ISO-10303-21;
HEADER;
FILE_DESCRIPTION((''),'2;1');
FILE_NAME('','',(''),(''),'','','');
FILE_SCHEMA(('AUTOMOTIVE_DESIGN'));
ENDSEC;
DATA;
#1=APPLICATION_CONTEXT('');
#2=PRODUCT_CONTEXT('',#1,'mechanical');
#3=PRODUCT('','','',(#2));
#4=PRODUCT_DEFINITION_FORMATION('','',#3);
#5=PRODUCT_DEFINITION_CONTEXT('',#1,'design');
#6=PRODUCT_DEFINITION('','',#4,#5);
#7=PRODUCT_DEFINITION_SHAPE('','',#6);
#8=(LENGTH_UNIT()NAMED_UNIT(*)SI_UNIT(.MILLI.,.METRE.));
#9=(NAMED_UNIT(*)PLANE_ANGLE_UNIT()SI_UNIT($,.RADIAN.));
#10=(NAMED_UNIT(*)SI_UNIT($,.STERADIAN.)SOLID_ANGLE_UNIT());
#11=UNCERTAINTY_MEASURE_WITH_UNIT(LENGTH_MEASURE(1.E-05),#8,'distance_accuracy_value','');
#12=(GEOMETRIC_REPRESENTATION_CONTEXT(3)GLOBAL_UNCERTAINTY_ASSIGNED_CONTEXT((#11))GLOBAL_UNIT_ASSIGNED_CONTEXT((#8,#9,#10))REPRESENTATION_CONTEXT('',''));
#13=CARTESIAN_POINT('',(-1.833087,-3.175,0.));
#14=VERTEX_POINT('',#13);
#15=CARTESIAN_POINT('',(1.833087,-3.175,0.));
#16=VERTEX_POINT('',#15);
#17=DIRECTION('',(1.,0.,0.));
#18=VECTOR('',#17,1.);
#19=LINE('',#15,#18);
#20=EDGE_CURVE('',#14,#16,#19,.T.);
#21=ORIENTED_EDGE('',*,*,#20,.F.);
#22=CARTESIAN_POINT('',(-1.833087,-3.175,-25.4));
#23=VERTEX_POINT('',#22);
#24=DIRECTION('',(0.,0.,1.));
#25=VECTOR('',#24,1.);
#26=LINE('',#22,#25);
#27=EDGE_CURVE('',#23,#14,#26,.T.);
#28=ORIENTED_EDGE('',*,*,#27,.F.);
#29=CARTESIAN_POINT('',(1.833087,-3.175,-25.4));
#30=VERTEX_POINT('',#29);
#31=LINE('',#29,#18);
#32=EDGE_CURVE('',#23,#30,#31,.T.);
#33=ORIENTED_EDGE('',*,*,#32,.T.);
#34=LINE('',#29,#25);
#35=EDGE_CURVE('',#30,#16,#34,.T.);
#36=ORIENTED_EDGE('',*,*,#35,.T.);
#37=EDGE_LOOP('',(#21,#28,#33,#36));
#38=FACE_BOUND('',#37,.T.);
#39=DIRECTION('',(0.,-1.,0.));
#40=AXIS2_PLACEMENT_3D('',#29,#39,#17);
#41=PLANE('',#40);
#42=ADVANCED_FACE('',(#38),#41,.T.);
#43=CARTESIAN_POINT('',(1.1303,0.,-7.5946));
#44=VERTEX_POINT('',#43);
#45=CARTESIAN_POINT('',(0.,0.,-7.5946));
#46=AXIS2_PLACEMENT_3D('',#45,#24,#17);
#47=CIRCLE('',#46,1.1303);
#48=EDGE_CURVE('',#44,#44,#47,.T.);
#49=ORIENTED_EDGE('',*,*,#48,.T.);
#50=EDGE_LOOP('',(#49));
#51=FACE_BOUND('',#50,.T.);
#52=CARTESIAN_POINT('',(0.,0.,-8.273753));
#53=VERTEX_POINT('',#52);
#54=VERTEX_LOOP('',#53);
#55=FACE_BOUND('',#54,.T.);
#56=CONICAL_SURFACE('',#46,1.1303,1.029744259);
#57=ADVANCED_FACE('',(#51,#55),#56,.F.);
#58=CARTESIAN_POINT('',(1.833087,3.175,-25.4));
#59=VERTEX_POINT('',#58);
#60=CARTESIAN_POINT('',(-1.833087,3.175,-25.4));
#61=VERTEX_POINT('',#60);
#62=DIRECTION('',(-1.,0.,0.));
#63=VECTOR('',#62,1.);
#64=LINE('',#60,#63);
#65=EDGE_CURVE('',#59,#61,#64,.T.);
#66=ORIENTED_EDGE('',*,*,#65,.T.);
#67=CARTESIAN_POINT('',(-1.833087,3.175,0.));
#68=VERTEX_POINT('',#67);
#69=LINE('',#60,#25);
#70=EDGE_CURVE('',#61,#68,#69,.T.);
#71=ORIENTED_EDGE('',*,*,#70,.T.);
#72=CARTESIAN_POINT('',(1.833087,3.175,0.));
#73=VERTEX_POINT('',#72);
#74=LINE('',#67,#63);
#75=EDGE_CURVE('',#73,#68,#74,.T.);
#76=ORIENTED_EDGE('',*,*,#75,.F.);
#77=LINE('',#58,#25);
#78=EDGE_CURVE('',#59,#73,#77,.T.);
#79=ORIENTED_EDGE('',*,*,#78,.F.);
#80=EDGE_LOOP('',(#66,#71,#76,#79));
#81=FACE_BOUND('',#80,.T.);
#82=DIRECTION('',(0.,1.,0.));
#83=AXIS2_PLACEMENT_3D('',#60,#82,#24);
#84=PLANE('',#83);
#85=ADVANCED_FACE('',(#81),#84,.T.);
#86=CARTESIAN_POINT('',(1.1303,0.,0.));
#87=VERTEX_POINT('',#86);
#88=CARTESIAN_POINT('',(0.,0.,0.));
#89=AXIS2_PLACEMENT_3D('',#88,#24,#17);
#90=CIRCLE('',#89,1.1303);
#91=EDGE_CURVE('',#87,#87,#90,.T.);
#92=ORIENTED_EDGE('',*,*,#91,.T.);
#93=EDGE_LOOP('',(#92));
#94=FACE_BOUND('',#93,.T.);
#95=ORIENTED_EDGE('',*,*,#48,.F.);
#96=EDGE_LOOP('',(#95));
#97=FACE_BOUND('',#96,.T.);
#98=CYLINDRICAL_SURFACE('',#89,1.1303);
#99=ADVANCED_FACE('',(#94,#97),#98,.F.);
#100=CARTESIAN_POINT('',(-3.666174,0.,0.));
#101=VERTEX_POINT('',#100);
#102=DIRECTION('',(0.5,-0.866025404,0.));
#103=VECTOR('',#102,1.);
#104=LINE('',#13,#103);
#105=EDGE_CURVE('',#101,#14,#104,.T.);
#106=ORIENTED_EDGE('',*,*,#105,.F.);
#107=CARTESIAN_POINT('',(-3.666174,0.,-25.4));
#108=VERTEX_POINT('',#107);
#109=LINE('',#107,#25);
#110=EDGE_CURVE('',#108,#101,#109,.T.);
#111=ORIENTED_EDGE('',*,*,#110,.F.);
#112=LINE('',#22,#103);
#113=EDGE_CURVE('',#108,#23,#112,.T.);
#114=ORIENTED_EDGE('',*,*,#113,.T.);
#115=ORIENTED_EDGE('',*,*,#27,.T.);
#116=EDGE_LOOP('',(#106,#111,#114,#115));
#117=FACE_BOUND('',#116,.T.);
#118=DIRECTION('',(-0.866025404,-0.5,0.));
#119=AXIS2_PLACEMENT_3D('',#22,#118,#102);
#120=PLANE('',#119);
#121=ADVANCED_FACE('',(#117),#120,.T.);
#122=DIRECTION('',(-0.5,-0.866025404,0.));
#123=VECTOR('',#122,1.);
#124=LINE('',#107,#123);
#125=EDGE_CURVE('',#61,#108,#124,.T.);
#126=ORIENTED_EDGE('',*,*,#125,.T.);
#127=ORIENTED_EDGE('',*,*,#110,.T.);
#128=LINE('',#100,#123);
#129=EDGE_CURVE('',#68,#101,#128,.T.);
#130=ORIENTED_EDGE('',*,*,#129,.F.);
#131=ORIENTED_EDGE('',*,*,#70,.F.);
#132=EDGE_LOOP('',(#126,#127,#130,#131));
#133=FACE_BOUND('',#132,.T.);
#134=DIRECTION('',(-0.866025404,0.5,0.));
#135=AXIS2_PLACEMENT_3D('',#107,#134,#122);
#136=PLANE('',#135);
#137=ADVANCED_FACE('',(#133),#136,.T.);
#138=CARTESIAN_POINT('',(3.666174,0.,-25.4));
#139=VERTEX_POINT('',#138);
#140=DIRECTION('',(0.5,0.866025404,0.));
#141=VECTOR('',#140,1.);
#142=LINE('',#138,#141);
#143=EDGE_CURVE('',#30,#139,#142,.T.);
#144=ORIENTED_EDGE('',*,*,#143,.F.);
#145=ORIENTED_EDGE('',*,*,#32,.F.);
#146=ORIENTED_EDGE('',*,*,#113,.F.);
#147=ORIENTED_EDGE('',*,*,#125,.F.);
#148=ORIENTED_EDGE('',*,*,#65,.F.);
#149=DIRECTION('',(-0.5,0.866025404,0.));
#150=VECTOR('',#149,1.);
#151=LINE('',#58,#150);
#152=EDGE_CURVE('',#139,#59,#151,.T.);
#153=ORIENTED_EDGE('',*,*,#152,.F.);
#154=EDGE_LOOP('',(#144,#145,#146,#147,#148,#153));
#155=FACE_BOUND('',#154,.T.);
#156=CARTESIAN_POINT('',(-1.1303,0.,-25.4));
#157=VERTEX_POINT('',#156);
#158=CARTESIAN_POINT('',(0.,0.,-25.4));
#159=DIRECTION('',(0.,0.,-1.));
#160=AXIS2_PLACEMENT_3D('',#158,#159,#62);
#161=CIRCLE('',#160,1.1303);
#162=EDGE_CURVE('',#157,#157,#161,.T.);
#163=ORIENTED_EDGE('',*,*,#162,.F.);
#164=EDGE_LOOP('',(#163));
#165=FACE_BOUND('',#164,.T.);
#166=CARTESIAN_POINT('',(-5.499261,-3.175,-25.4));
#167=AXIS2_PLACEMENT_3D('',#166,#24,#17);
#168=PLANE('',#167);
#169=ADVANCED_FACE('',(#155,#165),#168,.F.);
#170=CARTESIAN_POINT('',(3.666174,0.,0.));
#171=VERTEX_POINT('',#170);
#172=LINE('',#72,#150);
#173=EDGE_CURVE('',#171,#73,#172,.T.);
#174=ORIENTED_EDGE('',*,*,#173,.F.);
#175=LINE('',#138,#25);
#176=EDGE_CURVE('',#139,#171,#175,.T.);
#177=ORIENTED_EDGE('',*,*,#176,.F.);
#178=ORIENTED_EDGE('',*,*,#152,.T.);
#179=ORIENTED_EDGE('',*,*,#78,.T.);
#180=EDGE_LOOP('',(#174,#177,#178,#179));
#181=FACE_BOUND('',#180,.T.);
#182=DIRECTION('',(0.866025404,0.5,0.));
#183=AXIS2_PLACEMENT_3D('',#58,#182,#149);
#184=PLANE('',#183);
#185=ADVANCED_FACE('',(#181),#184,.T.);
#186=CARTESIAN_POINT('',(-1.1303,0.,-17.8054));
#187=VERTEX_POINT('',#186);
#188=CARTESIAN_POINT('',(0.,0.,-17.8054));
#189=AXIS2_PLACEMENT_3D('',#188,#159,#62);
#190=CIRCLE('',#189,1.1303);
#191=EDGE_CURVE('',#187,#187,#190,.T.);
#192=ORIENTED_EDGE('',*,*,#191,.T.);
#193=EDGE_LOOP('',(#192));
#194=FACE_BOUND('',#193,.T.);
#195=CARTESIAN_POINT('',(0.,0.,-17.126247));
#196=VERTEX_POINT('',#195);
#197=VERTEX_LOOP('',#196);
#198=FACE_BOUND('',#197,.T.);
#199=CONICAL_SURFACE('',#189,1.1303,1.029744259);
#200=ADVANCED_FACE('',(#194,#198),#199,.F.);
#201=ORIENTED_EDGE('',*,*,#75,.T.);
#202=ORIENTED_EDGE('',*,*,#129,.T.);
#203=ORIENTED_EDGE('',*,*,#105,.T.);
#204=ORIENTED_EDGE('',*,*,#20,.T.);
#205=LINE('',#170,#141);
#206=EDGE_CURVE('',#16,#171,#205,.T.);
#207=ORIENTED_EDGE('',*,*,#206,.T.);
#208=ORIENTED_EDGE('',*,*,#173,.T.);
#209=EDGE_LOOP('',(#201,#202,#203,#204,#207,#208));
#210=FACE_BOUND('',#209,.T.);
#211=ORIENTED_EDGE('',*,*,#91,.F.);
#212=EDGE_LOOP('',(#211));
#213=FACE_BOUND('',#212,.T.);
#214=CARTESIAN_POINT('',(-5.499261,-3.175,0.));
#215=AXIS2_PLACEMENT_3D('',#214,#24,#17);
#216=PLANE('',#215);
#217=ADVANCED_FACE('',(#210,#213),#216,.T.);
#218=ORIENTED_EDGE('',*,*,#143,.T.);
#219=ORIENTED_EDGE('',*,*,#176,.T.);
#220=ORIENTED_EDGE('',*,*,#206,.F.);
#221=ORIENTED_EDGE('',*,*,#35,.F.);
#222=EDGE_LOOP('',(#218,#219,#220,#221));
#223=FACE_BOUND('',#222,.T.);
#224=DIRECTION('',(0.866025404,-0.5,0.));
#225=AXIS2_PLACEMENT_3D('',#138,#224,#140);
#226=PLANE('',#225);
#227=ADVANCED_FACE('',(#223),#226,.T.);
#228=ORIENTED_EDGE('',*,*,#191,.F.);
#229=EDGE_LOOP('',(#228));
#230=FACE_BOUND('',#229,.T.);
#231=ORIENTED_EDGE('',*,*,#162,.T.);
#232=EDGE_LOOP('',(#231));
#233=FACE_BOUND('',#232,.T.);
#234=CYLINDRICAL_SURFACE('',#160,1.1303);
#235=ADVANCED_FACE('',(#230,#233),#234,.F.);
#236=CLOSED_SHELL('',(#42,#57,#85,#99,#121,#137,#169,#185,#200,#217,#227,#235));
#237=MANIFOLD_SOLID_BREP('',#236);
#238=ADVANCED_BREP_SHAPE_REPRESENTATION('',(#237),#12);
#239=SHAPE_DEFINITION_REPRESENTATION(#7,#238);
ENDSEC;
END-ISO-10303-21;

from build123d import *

# Parameters (mm, degrees)
EXTRUDE1_DEPTH            = 25.4
F_4_40_TAPPED_HOLE1_D     = 2.2606
F_4_40_TAPPED_HOLE1_DEPTH = 7.5946
F_4_40_TAPPED_HOLE1_TIP   = 0.679152758
F_4_40_TAPPED_HOLE2_D     = 2.2606
F_4_40_TAPPED_HOLE2_DEPTH = 7.5946
F_4_40_TAPPED_HOLE2_TIP   = 0.679152758


with BuildPart() as part:
    # Sketch2 → Extrude1 (new body)
    with BuildSketch(Plane.XY):
        Polygon((-1.833087105, 3.175), (1.833087105, 3.175), (3.666174209, 0), (1.833087105, -3.175), (-1.833087105, -3.175), (-3.666174209, 0), align=None)
    extrude(amount=-EXTRUDE1_DEPTH)

    # #4-40 Tapped Hole1
    with Locations(Plane.XY):
        with Locations((0, 0)):
            Hole(F_4_40_TAPPED_HOLE1_D / 2, depth=F_4_40_TAPPED_HOLE1_DEPTH)
            with Locations((0, 0, -(F_4_40_TAPPED_HOLE1_DEPTH + F_4_40_TAPPED_HOLE1_TIP / 2))):  # 118° drill point
                Cone(0, F_4_40_TAPPED_HOLE1_D / 2, F_4_40_TAPPED_HOLE1_TIP, mode=Mode.SUBTRACT)

    # #4-40 Tapped Hole2
    with Locations(Plane(origin=(0, 0, -25.4), x_dir=(-1, 0, 0), z_dir=(0, 0, -1))):
        with Locations((0, 0)):
            Hole(F_4_40_TAPPED_HOLE2_D / 2, depth=F_4_40_TAPPED_HOLE2_DEPTH)
            with Locations((0, 0, -(F_4_40_TAPPED_HOLE2_DEPTH + F_4_40_TAPPED_HOLE2_TIP / 2))):  # 118° drill point
                Cone(0, F_4_40_TAPPED_HOLE2_D / 2, F_4_40_TAPPED_HOLE2_TIP, mode=Mode.SUBTRACT)


solid = part.part
